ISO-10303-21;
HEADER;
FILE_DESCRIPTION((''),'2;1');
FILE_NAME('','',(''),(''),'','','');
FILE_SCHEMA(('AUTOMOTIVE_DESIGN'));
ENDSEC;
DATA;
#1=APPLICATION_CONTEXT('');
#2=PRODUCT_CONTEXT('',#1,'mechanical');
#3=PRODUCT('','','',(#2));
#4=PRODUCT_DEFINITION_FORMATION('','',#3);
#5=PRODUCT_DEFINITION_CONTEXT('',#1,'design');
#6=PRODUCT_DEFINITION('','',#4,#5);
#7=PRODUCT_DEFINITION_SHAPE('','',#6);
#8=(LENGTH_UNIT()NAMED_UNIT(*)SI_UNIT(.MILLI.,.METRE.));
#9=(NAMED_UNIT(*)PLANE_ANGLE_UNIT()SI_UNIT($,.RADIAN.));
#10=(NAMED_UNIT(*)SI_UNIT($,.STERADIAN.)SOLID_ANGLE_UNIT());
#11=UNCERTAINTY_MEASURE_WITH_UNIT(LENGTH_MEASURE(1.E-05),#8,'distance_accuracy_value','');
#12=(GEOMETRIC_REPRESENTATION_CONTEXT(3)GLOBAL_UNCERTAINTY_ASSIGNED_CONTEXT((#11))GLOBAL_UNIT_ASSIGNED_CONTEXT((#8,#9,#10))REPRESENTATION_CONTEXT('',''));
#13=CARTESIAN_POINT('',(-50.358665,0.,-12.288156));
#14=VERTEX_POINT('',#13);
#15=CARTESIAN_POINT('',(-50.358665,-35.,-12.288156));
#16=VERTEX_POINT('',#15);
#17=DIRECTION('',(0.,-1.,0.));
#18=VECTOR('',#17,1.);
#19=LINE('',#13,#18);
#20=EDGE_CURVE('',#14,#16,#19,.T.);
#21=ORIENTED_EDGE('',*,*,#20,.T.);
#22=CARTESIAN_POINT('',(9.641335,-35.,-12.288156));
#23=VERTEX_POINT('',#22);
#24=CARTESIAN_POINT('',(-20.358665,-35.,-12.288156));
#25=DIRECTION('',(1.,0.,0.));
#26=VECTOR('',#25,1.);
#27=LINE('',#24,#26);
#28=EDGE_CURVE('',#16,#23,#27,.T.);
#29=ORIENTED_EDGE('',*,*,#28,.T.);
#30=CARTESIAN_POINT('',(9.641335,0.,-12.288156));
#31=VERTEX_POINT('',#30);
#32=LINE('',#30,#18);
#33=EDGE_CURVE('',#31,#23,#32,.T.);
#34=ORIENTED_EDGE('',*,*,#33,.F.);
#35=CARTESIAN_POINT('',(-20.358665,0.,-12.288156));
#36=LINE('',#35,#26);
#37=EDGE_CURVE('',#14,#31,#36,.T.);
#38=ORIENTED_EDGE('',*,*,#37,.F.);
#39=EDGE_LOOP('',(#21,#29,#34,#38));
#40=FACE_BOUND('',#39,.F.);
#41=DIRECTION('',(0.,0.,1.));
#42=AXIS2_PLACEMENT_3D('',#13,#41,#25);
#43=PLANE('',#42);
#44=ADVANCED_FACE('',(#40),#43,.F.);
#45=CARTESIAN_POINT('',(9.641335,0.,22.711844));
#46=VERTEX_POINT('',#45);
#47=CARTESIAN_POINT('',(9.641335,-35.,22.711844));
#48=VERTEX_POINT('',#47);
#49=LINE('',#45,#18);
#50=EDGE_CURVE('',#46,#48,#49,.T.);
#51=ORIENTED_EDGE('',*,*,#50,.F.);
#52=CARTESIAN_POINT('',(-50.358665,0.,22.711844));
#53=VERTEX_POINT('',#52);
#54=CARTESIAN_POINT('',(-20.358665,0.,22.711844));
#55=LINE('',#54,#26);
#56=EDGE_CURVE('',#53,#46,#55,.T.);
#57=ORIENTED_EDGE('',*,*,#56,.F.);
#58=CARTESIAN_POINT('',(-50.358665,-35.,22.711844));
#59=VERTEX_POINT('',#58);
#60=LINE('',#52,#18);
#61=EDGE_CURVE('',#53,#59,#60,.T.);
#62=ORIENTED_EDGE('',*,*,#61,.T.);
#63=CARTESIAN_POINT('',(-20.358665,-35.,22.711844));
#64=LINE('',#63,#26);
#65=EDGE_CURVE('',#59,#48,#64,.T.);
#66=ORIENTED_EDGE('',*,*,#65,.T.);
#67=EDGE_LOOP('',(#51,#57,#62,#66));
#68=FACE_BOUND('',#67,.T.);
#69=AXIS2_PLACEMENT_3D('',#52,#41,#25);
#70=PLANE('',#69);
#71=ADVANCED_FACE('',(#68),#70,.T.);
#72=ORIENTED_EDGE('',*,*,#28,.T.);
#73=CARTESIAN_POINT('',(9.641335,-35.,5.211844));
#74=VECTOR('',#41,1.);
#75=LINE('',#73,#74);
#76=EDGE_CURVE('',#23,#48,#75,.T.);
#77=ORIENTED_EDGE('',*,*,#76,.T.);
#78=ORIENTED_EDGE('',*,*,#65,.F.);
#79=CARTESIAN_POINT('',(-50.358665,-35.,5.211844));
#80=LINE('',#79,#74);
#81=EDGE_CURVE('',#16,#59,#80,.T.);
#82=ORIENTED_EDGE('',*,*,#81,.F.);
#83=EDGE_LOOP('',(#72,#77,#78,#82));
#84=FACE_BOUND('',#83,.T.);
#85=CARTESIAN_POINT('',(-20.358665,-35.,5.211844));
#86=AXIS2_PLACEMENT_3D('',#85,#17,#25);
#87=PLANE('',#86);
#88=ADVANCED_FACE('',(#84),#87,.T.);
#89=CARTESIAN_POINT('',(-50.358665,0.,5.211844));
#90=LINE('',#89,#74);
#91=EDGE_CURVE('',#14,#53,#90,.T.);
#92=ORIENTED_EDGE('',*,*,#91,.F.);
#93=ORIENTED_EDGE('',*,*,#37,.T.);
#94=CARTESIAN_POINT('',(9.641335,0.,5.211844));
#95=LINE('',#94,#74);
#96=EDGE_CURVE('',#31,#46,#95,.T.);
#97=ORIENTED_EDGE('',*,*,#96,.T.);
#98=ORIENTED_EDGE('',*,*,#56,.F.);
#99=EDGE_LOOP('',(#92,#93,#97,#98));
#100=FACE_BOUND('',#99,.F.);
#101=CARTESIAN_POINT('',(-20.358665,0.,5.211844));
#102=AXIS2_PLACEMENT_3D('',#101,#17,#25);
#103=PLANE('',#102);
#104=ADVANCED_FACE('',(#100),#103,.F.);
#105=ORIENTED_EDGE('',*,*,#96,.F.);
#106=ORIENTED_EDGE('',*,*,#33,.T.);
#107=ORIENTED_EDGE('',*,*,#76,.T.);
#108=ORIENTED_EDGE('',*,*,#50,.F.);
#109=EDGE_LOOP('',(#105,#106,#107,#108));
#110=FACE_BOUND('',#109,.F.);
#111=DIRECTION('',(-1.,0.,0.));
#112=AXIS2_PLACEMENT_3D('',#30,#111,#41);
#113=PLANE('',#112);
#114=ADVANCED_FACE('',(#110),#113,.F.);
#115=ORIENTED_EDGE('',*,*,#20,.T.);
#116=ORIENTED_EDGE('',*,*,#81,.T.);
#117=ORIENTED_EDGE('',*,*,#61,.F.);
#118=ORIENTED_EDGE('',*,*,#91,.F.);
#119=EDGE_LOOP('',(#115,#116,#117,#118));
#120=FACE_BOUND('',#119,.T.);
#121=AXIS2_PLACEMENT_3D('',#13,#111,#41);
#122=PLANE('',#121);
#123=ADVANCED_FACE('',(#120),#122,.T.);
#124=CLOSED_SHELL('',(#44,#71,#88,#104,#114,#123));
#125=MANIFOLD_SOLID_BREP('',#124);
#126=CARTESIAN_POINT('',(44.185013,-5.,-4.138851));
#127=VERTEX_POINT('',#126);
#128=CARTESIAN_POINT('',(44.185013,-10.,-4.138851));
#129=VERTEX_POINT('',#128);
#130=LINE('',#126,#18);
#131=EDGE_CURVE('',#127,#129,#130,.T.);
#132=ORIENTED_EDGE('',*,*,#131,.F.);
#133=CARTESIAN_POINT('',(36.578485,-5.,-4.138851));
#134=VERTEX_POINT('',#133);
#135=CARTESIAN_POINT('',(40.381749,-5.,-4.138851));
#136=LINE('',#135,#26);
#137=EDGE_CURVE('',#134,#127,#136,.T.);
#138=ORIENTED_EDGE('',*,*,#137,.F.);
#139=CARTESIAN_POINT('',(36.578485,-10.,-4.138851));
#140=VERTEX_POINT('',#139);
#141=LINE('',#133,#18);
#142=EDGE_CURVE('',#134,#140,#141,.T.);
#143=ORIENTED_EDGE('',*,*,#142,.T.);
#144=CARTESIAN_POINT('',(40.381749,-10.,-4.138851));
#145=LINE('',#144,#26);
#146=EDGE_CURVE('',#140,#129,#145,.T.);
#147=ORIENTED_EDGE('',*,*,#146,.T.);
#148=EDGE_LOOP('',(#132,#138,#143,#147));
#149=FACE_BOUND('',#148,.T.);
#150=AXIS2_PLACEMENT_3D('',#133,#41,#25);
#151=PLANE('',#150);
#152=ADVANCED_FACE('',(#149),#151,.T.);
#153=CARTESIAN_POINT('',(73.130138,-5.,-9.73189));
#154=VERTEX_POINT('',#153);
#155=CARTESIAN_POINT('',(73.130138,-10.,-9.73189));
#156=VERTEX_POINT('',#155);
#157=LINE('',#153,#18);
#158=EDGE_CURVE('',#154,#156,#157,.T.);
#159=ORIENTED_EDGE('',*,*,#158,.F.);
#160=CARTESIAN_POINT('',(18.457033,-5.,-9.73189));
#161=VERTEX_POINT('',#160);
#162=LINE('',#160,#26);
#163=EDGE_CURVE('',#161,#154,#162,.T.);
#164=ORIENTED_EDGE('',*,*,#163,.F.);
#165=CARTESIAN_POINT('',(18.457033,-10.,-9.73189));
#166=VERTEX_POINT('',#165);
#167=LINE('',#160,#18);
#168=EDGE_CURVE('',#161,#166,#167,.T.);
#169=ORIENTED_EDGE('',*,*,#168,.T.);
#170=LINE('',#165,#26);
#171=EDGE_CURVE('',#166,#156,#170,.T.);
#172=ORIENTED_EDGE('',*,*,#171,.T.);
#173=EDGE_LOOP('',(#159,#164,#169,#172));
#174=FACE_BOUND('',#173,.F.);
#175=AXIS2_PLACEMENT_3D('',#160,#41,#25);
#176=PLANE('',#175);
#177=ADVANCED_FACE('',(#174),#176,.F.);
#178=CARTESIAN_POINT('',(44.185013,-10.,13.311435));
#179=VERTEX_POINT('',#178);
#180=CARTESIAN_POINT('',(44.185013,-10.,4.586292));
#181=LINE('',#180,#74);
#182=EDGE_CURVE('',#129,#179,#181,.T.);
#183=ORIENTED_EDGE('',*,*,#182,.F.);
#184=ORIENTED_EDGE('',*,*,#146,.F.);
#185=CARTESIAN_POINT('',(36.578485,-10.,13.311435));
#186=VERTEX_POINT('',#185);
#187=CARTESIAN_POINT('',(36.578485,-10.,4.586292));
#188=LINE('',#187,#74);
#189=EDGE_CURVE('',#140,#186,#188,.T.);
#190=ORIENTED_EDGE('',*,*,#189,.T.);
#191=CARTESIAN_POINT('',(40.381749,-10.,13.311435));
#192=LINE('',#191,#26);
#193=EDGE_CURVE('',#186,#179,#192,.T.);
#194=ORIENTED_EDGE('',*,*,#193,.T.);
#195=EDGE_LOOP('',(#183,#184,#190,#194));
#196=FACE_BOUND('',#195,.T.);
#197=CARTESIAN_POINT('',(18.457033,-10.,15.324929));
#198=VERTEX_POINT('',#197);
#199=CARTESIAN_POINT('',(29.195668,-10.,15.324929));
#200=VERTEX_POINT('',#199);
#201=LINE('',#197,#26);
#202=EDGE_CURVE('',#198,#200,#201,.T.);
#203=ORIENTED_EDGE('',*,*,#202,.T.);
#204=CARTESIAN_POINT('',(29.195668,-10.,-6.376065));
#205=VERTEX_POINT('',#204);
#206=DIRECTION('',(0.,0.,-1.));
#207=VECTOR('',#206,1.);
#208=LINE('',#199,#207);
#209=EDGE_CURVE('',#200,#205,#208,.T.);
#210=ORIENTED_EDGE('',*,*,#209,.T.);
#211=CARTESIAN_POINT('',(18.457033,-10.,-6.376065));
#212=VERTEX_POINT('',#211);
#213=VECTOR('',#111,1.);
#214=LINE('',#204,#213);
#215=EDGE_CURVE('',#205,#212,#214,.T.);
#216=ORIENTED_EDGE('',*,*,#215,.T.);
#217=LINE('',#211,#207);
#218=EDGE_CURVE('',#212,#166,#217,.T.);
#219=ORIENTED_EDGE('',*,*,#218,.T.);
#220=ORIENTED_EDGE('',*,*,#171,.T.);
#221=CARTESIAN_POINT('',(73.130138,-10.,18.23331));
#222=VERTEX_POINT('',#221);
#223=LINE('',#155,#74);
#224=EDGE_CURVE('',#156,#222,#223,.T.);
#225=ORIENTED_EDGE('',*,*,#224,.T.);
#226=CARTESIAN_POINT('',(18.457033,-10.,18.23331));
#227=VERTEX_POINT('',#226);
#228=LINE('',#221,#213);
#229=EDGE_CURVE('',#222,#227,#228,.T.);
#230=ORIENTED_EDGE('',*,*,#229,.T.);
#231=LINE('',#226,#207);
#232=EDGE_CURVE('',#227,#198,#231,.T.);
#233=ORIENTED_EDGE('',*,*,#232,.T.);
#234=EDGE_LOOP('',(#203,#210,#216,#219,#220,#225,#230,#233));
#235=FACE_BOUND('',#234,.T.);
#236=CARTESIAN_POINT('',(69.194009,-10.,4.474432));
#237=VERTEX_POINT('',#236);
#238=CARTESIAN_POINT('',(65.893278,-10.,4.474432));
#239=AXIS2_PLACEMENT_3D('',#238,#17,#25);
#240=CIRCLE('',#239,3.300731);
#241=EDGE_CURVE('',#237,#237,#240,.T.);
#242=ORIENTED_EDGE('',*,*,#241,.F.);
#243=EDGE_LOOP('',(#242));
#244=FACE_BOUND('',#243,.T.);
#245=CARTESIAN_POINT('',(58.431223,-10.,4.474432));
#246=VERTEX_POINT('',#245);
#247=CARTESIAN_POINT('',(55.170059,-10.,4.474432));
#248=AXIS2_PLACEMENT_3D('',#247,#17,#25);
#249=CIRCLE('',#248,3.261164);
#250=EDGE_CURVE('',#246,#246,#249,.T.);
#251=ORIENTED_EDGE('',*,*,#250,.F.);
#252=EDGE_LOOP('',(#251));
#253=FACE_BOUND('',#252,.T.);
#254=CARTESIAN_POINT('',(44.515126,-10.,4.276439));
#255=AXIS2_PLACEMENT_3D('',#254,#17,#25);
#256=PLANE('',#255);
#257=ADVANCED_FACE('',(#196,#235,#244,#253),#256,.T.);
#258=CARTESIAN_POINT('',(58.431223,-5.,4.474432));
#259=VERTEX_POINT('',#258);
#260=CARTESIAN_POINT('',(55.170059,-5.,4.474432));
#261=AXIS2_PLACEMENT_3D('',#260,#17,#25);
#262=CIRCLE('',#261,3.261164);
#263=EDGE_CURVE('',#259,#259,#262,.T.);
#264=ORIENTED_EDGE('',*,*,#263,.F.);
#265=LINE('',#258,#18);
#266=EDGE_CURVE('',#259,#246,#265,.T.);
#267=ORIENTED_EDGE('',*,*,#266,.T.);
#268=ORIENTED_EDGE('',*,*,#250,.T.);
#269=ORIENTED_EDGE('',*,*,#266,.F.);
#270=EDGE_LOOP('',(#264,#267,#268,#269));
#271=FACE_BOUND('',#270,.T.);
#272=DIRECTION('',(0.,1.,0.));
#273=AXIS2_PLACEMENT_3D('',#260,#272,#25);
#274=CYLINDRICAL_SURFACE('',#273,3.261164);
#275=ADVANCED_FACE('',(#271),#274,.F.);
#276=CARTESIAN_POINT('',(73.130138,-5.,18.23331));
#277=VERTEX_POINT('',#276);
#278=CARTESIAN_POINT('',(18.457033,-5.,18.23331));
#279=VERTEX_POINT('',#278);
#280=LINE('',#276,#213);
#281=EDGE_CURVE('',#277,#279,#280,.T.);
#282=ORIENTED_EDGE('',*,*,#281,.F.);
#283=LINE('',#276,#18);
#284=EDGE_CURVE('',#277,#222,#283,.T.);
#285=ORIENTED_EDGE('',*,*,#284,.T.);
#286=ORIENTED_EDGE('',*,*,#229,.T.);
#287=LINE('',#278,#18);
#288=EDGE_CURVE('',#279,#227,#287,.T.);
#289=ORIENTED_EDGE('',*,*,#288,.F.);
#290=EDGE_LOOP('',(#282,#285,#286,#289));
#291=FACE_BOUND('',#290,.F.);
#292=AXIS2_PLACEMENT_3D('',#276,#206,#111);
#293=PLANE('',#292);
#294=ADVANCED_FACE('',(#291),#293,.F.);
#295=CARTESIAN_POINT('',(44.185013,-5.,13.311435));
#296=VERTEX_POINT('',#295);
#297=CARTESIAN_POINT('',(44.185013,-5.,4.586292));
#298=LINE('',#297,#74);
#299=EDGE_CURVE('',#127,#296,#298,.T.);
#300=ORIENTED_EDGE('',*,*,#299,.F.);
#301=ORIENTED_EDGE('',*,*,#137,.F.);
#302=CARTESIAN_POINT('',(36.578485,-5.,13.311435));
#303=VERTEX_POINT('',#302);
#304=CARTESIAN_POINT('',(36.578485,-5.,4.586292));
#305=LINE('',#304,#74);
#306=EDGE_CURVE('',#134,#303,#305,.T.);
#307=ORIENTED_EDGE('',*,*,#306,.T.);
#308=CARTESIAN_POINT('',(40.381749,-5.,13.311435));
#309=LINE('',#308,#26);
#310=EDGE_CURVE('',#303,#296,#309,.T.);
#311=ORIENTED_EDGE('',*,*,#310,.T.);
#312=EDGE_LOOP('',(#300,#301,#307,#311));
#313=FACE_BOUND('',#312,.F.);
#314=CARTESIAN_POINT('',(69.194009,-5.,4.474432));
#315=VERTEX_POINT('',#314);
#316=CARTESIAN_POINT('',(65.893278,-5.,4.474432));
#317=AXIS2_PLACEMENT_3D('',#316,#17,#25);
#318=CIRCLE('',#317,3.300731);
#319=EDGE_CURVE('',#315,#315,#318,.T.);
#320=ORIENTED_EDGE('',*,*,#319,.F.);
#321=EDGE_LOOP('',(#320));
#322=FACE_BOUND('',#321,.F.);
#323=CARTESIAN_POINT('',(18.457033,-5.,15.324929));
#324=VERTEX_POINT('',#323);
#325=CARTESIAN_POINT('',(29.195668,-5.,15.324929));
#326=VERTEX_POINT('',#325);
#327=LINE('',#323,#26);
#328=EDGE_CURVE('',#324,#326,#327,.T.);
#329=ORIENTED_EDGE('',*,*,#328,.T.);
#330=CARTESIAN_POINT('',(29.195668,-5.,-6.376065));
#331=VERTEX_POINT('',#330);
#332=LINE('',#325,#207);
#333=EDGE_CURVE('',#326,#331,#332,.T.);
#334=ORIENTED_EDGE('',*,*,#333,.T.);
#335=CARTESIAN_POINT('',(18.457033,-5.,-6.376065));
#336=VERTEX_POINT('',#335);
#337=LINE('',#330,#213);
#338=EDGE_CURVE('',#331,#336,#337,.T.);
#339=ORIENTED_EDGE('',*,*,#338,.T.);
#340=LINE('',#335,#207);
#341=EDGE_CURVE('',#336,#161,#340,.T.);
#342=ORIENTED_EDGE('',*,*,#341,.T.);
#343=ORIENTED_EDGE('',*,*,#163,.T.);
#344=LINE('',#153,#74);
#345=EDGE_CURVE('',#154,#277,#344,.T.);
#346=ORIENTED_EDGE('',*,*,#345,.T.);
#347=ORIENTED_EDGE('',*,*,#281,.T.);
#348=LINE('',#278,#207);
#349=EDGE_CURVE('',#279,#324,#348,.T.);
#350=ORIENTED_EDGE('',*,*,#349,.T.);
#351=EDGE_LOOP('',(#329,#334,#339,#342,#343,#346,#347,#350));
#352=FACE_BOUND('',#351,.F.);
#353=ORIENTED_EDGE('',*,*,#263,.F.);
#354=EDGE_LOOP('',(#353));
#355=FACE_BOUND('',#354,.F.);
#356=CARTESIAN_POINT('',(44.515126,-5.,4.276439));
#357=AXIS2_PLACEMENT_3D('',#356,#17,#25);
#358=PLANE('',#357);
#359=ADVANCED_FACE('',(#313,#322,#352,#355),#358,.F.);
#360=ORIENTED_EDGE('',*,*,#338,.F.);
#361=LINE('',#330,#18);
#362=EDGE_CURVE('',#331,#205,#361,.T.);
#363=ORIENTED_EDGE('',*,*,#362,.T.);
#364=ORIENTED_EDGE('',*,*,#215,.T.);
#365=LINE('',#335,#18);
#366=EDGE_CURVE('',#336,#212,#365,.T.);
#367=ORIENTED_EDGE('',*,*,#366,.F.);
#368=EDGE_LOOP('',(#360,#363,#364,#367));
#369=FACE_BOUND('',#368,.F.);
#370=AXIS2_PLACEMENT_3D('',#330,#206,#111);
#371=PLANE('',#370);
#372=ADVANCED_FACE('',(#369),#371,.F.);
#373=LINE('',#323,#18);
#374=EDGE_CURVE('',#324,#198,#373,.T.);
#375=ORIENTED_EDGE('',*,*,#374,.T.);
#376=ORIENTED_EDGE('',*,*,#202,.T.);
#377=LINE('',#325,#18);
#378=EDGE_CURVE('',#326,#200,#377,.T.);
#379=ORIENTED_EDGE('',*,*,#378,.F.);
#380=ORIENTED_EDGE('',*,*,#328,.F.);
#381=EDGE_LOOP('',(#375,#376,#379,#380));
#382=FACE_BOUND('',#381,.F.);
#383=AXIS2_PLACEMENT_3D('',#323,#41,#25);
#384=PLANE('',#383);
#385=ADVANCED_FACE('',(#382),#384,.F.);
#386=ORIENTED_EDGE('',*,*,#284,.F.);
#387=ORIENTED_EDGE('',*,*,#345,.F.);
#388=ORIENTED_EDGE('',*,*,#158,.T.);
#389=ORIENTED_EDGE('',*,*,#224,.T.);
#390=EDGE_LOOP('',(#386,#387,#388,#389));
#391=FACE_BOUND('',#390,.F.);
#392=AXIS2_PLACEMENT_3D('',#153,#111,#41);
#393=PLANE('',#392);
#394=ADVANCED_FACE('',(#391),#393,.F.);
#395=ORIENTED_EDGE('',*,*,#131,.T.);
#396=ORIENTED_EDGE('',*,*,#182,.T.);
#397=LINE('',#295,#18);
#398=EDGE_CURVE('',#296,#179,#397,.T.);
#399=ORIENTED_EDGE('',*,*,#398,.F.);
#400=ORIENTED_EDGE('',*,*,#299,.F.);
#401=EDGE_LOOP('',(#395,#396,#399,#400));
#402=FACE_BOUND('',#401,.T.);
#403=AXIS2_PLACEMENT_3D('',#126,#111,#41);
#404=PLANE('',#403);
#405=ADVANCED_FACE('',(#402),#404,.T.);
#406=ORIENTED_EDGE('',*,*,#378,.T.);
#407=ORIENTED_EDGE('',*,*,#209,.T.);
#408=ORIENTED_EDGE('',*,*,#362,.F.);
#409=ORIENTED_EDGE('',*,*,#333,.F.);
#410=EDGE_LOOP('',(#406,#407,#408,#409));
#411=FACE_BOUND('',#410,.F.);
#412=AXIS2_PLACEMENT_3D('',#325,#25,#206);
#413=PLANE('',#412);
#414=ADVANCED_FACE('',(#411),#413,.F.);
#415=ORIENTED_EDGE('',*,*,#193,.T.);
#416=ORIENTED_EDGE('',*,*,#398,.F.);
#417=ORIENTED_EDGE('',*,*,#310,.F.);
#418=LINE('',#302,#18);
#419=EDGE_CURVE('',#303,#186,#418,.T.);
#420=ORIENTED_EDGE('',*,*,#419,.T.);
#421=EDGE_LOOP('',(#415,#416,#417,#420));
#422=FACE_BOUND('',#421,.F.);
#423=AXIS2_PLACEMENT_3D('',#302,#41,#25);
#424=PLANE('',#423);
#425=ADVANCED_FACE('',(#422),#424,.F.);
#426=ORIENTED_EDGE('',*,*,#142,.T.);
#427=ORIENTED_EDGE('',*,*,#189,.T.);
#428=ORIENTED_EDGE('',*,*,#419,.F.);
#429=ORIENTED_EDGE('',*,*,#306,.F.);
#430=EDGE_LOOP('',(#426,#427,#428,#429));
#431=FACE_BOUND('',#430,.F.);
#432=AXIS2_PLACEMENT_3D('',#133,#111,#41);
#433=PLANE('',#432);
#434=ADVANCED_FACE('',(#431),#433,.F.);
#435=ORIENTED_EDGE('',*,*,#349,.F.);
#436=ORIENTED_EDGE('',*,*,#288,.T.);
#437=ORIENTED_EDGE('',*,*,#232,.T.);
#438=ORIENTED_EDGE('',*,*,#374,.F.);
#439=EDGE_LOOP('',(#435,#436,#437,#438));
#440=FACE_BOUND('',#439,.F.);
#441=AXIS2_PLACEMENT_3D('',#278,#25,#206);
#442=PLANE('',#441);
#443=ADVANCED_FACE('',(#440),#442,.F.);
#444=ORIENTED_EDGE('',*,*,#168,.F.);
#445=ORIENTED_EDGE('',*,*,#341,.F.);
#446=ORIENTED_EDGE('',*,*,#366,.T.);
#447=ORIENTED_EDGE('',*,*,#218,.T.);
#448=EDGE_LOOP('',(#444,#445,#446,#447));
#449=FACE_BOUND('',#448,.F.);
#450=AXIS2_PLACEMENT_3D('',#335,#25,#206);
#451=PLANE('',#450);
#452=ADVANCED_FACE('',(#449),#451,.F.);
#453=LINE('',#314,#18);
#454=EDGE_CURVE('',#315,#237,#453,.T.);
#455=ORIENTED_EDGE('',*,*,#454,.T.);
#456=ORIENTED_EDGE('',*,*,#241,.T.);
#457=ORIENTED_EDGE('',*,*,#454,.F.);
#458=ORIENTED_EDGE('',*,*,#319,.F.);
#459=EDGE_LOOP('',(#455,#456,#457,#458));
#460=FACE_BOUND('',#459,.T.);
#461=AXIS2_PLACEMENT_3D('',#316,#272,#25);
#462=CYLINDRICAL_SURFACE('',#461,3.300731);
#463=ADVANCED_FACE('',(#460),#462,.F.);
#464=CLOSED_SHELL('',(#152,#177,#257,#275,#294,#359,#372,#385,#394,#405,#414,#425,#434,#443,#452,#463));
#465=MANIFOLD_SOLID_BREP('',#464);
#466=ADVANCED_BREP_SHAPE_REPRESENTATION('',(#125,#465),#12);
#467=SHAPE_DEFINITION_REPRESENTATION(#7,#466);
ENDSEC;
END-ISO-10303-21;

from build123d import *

# Parameters (mm, degrees)
F0_W     = 60
F0_H     = 35
F1_DEPTH = 35
F3_W     = 7.606529
F3_H     = 17.450285
F3_R     = 3.261164
F3_R_2   = 3.300731
F4_DEPTH = 5


with BuildPart() as f1:
    # F0 (on Front) → F1 (new body)
    with BuildSketch(Plane.XZ):
        with Locations((-20.358665, 5.211844)):
            Rectangle(F0_W, F0_H)
    extrude(amount=F1_DEPTH)


with BuildPart() as f4:
    # F3 (on offset) → F4 (new body)
    with BuildSketch(Plane.XZ.offset(5)):
        Polygon((73.130138, 18.23331), (18.457033, 18.23331), (18.457033, 15.324929), (29.195668, 15.324929), (29.195668, -6.376065), (18.457033, -6.376065), (18.457033, -9.73189), (73.130138, -9.73189), align=None)
        with Locations((40.381749, 4.586292)):
            Rectangle(F3_W, F3_H, mode=Mode.SUBTRACT)
        with Locations((55.170059, 4.474432)):
            Circle(F3_R, mode=Mode.SUBTRACT)
        with Locations((65.893278, 4.474432)):
            Circle(F3_R_2, mode=Mode.SUBTRACT)
    extrude(amount=F4_DEPTH)


solid = Compound([f1.part, f4.part])
